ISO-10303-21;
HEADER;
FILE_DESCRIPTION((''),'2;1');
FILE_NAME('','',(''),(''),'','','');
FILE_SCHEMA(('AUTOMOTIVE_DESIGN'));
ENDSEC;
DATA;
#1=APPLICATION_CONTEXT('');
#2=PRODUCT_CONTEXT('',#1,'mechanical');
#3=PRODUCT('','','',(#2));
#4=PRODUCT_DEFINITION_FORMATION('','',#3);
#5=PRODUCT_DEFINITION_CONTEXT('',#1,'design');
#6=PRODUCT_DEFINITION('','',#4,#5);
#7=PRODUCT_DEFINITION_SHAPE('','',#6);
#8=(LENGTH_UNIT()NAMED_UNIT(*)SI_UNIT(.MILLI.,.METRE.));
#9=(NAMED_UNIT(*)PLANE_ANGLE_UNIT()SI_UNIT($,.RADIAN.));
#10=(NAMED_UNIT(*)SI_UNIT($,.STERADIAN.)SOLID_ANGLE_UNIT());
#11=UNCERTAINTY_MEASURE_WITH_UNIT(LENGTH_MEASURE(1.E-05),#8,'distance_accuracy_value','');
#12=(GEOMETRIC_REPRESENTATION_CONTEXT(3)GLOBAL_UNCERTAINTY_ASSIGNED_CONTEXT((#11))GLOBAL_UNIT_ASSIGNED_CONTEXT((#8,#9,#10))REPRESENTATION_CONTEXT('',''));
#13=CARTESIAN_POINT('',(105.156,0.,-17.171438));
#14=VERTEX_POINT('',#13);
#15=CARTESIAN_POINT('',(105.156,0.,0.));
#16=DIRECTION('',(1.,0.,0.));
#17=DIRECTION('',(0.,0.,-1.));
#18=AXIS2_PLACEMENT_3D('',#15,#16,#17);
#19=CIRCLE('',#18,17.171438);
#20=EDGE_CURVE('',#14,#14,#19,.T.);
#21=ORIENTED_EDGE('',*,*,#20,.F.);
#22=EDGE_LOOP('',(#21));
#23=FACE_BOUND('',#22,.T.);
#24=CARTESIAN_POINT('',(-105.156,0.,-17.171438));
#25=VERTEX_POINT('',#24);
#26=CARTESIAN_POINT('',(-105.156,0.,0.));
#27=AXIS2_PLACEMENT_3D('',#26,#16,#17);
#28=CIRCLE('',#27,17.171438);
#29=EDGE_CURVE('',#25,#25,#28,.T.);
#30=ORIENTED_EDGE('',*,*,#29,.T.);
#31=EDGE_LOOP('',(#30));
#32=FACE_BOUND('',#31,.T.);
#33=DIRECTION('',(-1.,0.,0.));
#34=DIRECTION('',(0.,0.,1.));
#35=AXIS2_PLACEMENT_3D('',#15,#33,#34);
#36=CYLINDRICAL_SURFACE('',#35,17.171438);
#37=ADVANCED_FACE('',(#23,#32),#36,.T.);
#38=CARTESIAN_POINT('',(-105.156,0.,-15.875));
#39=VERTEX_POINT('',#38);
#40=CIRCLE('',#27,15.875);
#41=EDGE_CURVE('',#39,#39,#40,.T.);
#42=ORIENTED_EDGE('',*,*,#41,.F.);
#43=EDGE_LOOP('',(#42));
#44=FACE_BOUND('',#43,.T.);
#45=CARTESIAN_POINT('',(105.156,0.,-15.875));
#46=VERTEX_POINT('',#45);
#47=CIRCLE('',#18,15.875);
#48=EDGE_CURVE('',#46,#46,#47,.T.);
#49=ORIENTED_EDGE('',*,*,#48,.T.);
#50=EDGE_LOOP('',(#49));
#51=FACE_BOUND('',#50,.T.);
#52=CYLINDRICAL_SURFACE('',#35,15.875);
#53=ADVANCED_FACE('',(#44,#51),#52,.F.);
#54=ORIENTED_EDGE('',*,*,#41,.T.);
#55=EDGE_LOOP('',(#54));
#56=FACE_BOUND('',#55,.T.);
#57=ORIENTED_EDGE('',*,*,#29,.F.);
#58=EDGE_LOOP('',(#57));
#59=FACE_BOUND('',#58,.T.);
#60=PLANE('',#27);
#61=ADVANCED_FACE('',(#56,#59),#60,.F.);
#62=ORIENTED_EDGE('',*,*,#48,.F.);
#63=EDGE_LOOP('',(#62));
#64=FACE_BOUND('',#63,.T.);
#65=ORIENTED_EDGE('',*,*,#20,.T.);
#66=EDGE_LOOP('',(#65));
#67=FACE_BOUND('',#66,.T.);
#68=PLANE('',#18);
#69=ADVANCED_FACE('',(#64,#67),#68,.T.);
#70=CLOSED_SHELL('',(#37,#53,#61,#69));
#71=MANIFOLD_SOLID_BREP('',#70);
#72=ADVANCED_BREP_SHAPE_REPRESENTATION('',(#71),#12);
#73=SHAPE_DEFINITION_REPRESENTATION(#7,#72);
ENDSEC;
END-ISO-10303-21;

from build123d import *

# Parameters (mm, degrees)
SKETCH1_R           = 17.171437949
SKETCH1_R_2         = 15.875
BOSS_EXTRUDE1_DEPTH = 105.156


with BuildPart() as part:
    # Sketch1 → Boss-Extrude1 (new, symmetric)
    with BuildSketch(Plane(origin=(0, 0, 0), x_dir=(0, 0, -1), z_dir=(1, 0, 0))):
        Circle(SKETCH1_R)
        Circle(SKETCH1_R_2, mode=Mode.SUBTRACT)
    extrude(amount=BOSS_EXTRUDE1_DEPTH, both=True)


solid = part.part
